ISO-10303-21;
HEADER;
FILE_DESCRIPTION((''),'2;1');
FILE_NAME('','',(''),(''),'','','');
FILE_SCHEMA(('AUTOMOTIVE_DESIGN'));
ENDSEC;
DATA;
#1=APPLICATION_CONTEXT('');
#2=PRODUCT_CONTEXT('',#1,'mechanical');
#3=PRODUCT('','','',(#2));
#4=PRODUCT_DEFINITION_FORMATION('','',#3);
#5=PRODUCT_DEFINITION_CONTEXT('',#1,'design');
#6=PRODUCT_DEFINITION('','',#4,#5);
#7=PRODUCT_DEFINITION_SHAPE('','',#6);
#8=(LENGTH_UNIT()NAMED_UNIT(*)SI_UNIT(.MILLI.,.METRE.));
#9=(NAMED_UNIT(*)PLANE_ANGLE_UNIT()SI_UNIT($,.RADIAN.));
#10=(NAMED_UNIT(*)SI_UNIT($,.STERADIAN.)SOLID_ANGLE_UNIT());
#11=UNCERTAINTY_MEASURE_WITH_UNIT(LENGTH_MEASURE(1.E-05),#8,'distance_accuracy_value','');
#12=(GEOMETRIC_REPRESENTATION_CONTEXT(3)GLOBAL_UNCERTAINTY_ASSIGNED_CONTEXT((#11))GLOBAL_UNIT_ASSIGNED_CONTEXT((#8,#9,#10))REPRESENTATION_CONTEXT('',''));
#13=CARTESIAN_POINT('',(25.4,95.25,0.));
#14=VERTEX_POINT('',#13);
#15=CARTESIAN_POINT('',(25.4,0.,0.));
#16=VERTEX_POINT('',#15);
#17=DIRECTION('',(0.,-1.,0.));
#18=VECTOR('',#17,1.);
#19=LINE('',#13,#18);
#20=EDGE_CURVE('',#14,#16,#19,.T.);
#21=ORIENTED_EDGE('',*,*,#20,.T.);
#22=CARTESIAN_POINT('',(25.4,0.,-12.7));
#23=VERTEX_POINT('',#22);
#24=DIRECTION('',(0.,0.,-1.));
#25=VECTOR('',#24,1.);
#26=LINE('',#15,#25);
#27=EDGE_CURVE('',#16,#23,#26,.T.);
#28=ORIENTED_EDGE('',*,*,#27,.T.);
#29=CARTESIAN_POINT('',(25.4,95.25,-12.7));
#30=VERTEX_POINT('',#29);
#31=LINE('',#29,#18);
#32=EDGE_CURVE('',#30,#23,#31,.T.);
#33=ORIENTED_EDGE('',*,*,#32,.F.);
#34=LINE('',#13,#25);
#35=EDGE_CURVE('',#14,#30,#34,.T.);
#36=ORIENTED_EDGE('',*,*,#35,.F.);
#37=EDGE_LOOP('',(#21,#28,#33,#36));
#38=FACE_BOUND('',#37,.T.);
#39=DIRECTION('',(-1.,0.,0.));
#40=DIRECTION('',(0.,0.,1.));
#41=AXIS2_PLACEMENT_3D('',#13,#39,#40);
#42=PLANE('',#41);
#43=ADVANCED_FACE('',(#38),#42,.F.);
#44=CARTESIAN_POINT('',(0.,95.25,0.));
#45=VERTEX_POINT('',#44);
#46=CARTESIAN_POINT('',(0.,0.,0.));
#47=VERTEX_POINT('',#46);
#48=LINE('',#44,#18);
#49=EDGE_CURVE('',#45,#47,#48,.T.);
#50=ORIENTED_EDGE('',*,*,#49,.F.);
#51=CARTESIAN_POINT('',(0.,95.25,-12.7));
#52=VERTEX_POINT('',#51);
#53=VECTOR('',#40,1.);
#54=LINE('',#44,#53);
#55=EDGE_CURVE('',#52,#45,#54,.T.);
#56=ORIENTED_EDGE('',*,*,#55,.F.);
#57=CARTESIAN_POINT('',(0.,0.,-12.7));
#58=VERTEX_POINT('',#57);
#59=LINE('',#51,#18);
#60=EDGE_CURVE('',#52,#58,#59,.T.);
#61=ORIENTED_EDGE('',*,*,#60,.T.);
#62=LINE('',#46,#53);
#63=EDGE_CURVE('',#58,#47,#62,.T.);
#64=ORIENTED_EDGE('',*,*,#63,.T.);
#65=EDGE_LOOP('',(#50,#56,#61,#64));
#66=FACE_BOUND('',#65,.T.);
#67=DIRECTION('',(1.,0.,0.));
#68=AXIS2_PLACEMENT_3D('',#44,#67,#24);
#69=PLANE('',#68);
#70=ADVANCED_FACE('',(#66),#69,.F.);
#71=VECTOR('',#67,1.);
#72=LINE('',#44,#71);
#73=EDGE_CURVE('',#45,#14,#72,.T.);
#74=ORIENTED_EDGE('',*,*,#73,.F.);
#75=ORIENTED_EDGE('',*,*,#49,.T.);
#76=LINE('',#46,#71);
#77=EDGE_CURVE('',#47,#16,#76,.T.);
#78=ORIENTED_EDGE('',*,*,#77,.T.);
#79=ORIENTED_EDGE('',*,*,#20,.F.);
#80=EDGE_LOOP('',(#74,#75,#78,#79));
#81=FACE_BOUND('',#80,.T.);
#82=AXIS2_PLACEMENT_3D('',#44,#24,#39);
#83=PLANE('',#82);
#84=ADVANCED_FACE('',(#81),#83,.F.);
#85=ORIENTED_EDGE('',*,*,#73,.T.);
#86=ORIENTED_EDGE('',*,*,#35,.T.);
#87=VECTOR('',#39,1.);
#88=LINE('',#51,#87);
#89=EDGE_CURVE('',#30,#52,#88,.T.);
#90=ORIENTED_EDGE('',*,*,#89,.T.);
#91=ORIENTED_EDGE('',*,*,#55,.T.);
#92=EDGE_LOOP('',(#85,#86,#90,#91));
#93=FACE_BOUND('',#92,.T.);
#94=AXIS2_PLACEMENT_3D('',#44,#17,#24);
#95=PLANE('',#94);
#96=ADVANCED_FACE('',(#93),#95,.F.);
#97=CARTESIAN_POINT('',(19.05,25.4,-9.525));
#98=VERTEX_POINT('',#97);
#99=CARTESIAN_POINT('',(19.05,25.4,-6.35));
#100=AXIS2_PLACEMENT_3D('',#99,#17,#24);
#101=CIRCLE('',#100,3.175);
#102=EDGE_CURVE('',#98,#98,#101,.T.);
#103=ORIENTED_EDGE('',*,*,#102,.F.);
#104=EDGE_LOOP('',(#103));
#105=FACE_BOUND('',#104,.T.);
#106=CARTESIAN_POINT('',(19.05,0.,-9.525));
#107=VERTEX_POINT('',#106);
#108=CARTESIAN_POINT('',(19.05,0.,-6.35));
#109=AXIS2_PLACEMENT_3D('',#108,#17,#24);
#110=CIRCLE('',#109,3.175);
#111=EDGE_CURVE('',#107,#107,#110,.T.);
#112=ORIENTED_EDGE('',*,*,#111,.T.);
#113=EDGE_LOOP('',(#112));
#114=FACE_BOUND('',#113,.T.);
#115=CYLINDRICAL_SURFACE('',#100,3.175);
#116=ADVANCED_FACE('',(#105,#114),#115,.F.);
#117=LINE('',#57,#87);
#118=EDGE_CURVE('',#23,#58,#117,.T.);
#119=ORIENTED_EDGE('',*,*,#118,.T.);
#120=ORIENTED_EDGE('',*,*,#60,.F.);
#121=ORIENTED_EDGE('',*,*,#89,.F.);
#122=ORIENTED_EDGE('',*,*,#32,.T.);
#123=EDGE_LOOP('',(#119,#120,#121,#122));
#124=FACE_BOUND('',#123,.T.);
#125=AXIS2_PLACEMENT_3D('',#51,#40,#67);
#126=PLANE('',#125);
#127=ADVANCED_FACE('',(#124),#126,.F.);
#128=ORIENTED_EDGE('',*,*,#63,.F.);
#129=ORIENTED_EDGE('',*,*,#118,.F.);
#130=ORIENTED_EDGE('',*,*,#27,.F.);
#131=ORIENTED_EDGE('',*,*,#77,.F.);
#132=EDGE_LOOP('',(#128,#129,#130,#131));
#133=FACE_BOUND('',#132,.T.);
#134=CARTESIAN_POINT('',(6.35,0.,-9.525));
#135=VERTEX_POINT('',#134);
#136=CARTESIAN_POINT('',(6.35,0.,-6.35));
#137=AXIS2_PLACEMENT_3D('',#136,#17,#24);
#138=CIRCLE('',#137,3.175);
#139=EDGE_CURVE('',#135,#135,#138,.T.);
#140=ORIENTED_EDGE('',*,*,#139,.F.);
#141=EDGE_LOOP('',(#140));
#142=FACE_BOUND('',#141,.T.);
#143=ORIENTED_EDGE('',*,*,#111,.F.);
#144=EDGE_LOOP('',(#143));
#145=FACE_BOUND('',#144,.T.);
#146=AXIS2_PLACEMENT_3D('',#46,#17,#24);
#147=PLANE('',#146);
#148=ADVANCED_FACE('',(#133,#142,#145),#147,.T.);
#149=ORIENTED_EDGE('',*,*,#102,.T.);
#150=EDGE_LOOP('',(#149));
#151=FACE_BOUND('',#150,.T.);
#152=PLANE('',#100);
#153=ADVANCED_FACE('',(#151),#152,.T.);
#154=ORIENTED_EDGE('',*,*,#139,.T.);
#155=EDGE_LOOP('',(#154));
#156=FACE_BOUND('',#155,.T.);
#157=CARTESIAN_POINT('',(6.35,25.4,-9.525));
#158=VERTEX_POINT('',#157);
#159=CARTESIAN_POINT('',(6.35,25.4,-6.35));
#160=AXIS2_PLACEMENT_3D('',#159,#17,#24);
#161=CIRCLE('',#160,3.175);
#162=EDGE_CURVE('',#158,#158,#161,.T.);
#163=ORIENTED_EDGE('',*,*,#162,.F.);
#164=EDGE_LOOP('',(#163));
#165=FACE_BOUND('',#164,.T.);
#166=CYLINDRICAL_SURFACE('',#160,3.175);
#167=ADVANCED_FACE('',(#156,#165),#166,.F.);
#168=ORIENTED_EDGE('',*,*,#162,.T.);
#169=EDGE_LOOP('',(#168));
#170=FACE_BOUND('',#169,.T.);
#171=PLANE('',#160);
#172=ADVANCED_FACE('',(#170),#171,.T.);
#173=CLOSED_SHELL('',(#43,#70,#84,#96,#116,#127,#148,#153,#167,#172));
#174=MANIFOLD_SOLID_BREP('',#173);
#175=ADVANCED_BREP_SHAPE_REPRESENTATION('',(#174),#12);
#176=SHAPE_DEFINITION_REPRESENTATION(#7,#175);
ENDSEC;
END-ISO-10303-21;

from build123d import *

# Parameters (mm, degrees)
SKETCH1_W           = 25.4
SKETCH1_H           = 12.7
BOSS_EXTRUDE1_DEPTH = 95.25
SKETCH2_R           = 3.175
CUT_EXTRUDE1_DEPTH  = 25.4


with BuildPart() as part:
    # Sketch1 → Boss-Extrude1 (new body)
    with BuildSketch(Plane(origin=(0, 0, 0), x_dir=(1, 0, 0), z_dir=(0, 1, 0))):
        with Locations((12.7, 6.35)):
            Rectangle(SKETCH1_W, SKETCH1_H)
    extrude(amount=BOSS_EXTRUDE1_DEPTH)

    # Sketch2 → Cut-Extrude1 (cut)
    with BuildSketch(Plane.XZ):
        with Locations(Location((6.35, -6.35, 0), (0, 0, 270))):
            Circle(SKETCH2_R)
        with Locations(Location((19.05, -6.35, 0), (0, 0, 270))):
            Circle(SKETCH2_R)
    extrude(amount=-CUT_EXTRUDE1_DEPTH, mode=Mode.SUBTRACT)


solid = part.part
